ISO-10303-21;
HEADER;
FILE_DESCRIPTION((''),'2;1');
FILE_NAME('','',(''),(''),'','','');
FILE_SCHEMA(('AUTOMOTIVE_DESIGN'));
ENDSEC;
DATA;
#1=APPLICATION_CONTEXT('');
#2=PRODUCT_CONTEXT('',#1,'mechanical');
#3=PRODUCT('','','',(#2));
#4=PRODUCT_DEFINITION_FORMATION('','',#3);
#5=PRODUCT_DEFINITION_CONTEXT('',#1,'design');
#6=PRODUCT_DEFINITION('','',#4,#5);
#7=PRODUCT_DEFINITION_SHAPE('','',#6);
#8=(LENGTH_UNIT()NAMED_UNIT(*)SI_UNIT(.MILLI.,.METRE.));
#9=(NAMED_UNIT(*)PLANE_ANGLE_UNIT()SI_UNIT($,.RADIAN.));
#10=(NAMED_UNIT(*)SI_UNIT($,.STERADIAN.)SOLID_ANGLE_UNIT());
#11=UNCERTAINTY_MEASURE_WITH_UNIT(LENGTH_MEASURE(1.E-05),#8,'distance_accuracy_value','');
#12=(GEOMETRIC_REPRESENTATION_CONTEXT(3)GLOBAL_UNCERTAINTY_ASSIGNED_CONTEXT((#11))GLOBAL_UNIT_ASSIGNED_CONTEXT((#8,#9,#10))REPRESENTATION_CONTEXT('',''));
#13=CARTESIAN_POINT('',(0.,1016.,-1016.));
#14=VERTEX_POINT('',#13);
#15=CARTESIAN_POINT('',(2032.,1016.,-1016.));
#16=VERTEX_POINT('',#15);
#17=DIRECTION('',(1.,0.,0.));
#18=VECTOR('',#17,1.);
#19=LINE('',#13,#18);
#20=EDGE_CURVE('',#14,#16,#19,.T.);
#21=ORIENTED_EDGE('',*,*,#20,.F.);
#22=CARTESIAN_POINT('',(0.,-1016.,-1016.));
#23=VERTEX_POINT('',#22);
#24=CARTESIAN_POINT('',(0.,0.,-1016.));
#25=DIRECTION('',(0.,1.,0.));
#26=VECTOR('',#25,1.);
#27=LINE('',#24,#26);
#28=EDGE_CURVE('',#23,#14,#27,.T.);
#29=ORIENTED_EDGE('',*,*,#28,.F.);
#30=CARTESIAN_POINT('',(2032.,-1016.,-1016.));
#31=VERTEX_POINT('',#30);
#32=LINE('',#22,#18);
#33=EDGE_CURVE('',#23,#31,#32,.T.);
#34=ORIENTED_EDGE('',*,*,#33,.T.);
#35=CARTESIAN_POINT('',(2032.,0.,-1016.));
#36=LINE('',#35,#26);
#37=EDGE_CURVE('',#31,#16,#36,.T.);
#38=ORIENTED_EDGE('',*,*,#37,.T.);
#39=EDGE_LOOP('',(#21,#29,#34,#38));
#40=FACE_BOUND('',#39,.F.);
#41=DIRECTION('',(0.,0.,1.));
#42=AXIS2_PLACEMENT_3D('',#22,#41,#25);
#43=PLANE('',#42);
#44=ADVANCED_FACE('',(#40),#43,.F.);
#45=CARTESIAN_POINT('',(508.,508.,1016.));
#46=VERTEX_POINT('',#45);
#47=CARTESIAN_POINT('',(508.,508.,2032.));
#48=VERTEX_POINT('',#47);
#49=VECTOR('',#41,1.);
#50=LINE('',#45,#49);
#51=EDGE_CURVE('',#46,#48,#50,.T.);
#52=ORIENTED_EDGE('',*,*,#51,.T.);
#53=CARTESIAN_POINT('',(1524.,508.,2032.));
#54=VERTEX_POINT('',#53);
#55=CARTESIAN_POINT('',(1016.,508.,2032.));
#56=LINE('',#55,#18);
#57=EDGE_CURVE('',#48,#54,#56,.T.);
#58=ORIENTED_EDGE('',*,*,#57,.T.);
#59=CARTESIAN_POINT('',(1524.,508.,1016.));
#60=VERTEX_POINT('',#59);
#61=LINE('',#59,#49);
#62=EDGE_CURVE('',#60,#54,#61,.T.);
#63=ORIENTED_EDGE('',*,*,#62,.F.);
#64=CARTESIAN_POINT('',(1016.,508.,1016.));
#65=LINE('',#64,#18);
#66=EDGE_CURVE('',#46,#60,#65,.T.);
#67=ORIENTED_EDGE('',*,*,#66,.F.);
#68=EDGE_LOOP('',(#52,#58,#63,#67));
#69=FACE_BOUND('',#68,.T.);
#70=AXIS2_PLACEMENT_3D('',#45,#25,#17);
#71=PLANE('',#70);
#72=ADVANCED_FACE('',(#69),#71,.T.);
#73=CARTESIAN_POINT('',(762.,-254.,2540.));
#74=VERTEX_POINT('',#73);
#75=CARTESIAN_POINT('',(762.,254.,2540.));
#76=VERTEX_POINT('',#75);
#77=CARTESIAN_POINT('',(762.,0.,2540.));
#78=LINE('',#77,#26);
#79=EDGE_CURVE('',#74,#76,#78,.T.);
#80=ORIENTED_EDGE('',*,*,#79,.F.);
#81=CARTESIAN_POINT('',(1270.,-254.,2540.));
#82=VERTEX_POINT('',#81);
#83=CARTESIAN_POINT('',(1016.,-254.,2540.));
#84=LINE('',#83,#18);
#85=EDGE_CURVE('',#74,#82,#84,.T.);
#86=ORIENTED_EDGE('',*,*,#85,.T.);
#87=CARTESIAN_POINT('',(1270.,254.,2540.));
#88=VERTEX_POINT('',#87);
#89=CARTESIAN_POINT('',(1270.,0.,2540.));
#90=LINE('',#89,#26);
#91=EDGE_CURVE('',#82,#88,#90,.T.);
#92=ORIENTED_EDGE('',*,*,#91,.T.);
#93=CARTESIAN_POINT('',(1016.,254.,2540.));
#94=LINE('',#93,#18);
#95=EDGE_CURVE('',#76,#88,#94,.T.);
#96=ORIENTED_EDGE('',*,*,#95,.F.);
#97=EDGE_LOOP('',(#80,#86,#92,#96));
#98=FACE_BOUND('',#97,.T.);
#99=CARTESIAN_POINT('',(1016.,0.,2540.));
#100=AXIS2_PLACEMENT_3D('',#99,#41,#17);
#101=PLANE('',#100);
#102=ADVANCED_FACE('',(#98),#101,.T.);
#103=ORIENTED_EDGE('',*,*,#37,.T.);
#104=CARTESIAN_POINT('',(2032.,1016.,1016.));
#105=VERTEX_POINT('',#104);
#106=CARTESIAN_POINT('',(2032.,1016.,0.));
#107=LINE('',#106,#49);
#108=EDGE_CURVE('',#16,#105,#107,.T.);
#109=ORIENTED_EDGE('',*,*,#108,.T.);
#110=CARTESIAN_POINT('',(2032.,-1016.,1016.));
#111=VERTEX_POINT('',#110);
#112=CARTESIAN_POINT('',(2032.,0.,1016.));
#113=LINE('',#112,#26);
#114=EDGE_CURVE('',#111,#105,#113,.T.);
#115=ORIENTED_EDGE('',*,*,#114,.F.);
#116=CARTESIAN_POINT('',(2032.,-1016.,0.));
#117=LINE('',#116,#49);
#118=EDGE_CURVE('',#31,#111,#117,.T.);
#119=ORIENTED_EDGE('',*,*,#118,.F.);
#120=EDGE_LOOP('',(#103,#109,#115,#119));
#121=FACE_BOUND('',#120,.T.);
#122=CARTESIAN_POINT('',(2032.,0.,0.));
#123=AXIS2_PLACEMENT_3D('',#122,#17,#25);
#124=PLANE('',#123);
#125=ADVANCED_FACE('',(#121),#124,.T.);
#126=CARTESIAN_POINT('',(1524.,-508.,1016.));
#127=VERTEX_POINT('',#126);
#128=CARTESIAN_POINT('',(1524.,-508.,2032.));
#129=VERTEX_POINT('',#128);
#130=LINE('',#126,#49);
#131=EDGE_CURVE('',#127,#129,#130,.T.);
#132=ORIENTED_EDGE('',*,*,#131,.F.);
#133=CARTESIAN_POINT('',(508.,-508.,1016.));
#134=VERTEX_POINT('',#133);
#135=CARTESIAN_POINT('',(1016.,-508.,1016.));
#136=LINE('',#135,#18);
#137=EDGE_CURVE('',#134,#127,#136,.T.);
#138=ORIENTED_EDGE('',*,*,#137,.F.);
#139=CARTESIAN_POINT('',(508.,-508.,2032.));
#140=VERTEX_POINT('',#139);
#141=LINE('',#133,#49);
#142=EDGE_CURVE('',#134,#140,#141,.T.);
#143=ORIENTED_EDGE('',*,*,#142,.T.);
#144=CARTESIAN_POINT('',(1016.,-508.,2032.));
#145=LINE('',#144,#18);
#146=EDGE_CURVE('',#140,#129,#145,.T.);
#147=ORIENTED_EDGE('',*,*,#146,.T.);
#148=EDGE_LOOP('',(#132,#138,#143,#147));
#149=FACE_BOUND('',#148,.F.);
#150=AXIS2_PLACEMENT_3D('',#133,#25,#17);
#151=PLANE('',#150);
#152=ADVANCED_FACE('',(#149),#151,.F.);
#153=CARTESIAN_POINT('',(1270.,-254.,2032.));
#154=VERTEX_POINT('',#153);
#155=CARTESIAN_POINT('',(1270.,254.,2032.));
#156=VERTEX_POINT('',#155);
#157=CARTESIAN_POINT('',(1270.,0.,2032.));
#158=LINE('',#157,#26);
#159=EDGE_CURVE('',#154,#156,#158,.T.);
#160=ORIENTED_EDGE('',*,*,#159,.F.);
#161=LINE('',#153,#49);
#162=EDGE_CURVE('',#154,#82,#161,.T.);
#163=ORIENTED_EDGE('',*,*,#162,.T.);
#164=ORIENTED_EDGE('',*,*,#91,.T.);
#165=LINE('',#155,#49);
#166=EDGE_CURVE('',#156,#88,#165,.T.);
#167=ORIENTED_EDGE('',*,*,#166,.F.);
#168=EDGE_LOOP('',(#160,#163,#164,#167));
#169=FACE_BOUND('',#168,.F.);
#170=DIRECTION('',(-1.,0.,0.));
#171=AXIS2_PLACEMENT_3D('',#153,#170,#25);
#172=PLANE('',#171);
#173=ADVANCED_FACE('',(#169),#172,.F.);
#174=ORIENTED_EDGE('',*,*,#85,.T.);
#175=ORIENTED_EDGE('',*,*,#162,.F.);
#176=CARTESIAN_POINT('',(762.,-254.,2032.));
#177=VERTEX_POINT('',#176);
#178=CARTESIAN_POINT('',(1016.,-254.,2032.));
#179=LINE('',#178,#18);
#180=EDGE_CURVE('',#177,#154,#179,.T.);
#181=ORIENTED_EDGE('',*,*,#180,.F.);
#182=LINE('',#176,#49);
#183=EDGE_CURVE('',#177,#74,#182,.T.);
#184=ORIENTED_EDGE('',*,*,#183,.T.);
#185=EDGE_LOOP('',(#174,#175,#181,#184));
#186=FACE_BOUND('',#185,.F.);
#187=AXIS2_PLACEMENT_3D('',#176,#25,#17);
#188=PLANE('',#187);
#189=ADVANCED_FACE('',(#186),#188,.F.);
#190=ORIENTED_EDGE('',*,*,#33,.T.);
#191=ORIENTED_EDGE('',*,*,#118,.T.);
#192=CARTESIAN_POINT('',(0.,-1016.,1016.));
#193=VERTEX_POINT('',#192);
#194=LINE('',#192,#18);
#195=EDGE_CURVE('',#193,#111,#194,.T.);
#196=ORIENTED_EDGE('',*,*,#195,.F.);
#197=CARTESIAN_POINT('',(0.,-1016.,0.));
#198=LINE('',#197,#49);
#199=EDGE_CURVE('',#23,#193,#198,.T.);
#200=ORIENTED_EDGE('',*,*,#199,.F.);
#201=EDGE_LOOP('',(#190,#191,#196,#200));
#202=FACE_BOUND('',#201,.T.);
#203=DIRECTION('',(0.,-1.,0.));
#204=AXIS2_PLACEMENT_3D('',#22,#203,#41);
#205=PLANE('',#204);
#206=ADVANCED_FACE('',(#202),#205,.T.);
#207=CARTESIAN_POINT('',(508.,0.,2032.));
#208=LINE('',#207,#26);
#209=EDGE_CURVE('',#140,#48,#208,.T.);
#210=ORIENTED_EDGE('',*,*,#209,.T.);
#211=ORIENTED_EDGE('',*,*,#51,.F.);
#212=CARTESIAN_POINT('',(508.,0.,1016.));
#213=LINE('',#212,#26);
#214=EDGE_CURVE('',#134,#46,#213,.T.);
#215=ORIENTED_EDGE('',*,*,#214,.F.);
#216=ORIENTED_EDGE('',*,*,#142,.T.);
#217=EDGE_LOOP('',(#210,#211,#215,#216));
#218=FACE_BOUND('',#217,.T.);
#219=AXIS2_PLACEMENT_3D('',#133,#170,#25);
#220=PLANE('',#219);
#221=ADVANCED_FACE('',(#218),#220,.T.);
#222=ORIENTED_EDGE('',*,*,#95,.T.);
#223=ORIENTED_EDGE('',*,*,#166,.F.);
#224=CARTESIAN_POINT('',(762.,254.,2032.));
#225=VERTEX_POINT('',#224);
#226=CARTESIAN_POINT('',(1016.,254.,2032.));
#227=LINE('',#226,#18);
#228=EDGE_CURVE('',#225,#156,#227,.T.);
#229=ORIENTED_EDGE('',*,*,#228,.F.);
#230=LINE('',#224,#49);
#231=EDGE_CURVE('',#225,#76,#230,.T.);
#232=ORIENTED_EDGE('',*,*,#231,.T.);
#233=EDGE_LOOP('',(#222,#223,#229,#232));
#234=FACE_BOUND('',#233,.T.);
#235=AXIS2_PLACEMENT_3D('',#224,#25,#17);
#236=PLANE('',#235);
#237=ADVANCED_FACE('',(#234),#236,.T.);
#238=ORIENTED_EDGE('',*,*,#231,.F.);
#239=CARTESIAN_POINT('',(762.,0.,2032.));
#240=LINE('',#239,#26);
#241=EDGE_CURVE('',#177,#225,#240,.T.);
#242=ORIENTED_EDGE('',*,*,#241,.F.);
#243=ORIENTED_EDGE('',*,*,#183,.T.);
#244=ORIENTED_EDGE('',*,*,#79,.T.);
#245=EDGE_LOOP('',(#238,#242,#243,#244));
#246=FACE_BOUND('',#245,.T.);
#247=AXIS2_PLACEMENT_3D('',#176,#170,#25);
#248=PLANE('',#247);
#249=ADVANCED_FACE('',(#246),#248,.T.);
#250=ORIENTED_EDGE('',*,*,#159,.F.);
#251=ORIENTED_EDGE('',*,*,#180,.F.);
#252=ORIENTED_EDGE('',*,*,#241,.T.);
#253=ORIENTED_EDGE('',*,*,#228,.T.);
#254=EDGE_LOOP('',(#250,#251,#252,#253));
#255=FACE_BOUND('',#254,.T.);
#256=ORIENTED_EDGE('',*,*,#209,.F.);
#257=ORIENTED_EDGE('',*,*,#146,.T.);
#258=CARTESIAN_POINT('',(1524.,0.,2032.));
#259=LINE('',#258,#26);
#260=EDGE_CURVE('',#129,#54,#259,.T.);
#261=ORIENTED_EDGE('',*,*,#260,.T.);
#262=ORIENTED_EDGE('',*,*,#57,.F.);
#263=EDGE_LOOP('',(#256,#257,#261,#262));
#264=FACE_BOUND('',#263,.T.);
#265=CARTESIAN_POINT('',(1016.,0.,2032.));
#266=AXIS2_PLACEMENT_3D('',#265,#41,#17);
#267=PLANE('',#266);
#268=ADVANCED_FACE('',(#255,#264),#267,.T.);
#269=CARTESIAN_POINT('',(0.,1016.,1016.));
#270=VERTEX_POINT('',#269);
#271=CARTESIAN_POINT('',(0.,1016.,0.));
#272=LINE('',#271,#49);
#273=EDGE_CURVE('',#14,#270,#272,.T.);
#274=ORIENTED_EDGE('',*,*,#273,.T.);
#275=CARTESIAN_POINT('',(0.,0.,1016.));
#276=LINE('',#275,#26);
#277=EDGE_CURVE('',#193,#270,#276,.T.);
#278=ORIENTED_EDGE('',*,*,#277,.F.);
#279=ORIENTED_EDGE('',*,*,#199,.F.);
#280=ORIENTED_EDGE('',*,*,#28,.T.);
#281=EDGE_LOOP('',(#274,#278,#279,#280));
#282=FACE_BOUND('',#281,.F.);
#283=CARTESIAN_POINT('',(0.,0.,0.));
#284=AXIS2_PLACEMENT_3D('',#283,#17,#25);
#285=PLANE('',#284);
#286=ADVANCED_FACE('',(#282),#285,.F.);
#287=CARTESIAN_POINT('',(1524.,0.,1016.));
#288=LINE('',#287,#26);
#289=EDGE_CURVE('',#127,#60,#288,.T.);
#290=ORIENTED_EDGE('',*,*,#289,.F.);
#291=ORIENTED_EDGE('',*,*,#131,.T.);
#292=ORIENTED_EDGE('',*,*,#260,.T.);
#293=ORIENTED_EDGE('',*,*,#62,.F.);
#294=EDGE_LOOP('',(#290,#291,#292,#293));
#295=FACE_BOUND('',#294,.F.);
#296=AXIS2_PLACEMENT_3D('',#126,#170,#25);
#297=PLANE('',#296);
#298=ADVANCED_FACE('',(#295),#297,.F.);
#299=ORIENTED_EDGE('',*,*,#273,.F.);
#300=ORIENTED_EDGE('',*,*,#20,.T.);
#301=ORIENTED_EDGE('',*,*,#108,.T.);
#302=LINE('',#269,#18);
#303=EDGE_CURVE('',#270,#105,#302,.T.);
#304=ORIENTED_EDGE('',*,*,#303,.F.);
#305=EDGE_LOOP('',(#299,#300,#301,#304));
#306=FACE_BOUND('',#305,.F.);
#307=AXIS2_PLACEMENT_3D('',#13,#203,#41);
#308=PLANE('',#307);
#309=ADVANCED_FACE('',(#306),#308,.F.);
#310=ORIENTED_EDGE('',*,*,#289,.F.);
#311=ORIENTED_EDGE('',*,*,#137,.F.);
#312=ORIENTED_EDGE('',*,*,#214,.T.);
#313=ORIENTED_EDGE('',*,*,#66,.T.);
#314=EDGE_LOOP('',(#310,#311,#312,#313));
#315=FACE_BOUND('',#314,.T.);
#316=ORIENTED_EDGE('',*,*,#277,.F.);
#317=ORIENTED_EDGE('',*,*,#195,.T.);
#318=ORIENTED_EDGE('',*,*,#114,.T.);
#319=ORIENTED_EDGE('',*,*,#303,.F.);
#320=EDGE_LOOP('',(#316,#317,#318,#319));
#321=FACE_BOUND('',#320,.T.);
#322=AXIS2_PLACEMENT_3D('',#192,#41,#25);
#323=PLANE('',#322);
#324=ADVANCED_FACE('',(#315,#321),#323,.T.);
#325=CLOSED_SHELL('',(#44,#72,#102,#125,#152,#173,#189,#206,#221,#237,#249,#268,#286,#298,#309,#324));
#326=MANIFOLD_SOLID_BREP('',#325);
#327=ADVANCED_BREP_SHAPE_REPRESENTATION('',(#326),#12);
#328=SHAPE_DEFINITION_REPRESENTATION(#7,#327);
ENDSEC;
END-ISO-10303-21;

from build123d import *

# Parameters (mm, degrees)
F0_W     = 2032
F0_H     = 2032
F1_DEPTH = 2032
F2_W     = 1016
F2_H     = 1016
F3_DEPTH = 1016
F4_W     = 508
F4_H     = 508
F5_DEPTH = 508


with BuildPart() as f1:
    # F0 (on Right) → F1 (new body)
    with BuildSketch(Plane.YZ):
        Rectangle(F0_W, F0_H)
    extrude(amount=F1_DEPTH)

    # F2 (on face) → F3 (join)
    with BuildSketch(Plane.XY.offset(1016)):
        with Locations((1016, 0)):
            Rectangle(F2_W, F2_H)
    extrude(amount=F3_DEPTH)

    # F4 (on face) → F5 (join)
    with BuildSketch(Plane.XY.offset(2032)):
        with Locations((1016, 0)):
            Rectangle(F4_W, F4_H)
    extrude(amount=F5_DEPTH)


solid = f1.part
